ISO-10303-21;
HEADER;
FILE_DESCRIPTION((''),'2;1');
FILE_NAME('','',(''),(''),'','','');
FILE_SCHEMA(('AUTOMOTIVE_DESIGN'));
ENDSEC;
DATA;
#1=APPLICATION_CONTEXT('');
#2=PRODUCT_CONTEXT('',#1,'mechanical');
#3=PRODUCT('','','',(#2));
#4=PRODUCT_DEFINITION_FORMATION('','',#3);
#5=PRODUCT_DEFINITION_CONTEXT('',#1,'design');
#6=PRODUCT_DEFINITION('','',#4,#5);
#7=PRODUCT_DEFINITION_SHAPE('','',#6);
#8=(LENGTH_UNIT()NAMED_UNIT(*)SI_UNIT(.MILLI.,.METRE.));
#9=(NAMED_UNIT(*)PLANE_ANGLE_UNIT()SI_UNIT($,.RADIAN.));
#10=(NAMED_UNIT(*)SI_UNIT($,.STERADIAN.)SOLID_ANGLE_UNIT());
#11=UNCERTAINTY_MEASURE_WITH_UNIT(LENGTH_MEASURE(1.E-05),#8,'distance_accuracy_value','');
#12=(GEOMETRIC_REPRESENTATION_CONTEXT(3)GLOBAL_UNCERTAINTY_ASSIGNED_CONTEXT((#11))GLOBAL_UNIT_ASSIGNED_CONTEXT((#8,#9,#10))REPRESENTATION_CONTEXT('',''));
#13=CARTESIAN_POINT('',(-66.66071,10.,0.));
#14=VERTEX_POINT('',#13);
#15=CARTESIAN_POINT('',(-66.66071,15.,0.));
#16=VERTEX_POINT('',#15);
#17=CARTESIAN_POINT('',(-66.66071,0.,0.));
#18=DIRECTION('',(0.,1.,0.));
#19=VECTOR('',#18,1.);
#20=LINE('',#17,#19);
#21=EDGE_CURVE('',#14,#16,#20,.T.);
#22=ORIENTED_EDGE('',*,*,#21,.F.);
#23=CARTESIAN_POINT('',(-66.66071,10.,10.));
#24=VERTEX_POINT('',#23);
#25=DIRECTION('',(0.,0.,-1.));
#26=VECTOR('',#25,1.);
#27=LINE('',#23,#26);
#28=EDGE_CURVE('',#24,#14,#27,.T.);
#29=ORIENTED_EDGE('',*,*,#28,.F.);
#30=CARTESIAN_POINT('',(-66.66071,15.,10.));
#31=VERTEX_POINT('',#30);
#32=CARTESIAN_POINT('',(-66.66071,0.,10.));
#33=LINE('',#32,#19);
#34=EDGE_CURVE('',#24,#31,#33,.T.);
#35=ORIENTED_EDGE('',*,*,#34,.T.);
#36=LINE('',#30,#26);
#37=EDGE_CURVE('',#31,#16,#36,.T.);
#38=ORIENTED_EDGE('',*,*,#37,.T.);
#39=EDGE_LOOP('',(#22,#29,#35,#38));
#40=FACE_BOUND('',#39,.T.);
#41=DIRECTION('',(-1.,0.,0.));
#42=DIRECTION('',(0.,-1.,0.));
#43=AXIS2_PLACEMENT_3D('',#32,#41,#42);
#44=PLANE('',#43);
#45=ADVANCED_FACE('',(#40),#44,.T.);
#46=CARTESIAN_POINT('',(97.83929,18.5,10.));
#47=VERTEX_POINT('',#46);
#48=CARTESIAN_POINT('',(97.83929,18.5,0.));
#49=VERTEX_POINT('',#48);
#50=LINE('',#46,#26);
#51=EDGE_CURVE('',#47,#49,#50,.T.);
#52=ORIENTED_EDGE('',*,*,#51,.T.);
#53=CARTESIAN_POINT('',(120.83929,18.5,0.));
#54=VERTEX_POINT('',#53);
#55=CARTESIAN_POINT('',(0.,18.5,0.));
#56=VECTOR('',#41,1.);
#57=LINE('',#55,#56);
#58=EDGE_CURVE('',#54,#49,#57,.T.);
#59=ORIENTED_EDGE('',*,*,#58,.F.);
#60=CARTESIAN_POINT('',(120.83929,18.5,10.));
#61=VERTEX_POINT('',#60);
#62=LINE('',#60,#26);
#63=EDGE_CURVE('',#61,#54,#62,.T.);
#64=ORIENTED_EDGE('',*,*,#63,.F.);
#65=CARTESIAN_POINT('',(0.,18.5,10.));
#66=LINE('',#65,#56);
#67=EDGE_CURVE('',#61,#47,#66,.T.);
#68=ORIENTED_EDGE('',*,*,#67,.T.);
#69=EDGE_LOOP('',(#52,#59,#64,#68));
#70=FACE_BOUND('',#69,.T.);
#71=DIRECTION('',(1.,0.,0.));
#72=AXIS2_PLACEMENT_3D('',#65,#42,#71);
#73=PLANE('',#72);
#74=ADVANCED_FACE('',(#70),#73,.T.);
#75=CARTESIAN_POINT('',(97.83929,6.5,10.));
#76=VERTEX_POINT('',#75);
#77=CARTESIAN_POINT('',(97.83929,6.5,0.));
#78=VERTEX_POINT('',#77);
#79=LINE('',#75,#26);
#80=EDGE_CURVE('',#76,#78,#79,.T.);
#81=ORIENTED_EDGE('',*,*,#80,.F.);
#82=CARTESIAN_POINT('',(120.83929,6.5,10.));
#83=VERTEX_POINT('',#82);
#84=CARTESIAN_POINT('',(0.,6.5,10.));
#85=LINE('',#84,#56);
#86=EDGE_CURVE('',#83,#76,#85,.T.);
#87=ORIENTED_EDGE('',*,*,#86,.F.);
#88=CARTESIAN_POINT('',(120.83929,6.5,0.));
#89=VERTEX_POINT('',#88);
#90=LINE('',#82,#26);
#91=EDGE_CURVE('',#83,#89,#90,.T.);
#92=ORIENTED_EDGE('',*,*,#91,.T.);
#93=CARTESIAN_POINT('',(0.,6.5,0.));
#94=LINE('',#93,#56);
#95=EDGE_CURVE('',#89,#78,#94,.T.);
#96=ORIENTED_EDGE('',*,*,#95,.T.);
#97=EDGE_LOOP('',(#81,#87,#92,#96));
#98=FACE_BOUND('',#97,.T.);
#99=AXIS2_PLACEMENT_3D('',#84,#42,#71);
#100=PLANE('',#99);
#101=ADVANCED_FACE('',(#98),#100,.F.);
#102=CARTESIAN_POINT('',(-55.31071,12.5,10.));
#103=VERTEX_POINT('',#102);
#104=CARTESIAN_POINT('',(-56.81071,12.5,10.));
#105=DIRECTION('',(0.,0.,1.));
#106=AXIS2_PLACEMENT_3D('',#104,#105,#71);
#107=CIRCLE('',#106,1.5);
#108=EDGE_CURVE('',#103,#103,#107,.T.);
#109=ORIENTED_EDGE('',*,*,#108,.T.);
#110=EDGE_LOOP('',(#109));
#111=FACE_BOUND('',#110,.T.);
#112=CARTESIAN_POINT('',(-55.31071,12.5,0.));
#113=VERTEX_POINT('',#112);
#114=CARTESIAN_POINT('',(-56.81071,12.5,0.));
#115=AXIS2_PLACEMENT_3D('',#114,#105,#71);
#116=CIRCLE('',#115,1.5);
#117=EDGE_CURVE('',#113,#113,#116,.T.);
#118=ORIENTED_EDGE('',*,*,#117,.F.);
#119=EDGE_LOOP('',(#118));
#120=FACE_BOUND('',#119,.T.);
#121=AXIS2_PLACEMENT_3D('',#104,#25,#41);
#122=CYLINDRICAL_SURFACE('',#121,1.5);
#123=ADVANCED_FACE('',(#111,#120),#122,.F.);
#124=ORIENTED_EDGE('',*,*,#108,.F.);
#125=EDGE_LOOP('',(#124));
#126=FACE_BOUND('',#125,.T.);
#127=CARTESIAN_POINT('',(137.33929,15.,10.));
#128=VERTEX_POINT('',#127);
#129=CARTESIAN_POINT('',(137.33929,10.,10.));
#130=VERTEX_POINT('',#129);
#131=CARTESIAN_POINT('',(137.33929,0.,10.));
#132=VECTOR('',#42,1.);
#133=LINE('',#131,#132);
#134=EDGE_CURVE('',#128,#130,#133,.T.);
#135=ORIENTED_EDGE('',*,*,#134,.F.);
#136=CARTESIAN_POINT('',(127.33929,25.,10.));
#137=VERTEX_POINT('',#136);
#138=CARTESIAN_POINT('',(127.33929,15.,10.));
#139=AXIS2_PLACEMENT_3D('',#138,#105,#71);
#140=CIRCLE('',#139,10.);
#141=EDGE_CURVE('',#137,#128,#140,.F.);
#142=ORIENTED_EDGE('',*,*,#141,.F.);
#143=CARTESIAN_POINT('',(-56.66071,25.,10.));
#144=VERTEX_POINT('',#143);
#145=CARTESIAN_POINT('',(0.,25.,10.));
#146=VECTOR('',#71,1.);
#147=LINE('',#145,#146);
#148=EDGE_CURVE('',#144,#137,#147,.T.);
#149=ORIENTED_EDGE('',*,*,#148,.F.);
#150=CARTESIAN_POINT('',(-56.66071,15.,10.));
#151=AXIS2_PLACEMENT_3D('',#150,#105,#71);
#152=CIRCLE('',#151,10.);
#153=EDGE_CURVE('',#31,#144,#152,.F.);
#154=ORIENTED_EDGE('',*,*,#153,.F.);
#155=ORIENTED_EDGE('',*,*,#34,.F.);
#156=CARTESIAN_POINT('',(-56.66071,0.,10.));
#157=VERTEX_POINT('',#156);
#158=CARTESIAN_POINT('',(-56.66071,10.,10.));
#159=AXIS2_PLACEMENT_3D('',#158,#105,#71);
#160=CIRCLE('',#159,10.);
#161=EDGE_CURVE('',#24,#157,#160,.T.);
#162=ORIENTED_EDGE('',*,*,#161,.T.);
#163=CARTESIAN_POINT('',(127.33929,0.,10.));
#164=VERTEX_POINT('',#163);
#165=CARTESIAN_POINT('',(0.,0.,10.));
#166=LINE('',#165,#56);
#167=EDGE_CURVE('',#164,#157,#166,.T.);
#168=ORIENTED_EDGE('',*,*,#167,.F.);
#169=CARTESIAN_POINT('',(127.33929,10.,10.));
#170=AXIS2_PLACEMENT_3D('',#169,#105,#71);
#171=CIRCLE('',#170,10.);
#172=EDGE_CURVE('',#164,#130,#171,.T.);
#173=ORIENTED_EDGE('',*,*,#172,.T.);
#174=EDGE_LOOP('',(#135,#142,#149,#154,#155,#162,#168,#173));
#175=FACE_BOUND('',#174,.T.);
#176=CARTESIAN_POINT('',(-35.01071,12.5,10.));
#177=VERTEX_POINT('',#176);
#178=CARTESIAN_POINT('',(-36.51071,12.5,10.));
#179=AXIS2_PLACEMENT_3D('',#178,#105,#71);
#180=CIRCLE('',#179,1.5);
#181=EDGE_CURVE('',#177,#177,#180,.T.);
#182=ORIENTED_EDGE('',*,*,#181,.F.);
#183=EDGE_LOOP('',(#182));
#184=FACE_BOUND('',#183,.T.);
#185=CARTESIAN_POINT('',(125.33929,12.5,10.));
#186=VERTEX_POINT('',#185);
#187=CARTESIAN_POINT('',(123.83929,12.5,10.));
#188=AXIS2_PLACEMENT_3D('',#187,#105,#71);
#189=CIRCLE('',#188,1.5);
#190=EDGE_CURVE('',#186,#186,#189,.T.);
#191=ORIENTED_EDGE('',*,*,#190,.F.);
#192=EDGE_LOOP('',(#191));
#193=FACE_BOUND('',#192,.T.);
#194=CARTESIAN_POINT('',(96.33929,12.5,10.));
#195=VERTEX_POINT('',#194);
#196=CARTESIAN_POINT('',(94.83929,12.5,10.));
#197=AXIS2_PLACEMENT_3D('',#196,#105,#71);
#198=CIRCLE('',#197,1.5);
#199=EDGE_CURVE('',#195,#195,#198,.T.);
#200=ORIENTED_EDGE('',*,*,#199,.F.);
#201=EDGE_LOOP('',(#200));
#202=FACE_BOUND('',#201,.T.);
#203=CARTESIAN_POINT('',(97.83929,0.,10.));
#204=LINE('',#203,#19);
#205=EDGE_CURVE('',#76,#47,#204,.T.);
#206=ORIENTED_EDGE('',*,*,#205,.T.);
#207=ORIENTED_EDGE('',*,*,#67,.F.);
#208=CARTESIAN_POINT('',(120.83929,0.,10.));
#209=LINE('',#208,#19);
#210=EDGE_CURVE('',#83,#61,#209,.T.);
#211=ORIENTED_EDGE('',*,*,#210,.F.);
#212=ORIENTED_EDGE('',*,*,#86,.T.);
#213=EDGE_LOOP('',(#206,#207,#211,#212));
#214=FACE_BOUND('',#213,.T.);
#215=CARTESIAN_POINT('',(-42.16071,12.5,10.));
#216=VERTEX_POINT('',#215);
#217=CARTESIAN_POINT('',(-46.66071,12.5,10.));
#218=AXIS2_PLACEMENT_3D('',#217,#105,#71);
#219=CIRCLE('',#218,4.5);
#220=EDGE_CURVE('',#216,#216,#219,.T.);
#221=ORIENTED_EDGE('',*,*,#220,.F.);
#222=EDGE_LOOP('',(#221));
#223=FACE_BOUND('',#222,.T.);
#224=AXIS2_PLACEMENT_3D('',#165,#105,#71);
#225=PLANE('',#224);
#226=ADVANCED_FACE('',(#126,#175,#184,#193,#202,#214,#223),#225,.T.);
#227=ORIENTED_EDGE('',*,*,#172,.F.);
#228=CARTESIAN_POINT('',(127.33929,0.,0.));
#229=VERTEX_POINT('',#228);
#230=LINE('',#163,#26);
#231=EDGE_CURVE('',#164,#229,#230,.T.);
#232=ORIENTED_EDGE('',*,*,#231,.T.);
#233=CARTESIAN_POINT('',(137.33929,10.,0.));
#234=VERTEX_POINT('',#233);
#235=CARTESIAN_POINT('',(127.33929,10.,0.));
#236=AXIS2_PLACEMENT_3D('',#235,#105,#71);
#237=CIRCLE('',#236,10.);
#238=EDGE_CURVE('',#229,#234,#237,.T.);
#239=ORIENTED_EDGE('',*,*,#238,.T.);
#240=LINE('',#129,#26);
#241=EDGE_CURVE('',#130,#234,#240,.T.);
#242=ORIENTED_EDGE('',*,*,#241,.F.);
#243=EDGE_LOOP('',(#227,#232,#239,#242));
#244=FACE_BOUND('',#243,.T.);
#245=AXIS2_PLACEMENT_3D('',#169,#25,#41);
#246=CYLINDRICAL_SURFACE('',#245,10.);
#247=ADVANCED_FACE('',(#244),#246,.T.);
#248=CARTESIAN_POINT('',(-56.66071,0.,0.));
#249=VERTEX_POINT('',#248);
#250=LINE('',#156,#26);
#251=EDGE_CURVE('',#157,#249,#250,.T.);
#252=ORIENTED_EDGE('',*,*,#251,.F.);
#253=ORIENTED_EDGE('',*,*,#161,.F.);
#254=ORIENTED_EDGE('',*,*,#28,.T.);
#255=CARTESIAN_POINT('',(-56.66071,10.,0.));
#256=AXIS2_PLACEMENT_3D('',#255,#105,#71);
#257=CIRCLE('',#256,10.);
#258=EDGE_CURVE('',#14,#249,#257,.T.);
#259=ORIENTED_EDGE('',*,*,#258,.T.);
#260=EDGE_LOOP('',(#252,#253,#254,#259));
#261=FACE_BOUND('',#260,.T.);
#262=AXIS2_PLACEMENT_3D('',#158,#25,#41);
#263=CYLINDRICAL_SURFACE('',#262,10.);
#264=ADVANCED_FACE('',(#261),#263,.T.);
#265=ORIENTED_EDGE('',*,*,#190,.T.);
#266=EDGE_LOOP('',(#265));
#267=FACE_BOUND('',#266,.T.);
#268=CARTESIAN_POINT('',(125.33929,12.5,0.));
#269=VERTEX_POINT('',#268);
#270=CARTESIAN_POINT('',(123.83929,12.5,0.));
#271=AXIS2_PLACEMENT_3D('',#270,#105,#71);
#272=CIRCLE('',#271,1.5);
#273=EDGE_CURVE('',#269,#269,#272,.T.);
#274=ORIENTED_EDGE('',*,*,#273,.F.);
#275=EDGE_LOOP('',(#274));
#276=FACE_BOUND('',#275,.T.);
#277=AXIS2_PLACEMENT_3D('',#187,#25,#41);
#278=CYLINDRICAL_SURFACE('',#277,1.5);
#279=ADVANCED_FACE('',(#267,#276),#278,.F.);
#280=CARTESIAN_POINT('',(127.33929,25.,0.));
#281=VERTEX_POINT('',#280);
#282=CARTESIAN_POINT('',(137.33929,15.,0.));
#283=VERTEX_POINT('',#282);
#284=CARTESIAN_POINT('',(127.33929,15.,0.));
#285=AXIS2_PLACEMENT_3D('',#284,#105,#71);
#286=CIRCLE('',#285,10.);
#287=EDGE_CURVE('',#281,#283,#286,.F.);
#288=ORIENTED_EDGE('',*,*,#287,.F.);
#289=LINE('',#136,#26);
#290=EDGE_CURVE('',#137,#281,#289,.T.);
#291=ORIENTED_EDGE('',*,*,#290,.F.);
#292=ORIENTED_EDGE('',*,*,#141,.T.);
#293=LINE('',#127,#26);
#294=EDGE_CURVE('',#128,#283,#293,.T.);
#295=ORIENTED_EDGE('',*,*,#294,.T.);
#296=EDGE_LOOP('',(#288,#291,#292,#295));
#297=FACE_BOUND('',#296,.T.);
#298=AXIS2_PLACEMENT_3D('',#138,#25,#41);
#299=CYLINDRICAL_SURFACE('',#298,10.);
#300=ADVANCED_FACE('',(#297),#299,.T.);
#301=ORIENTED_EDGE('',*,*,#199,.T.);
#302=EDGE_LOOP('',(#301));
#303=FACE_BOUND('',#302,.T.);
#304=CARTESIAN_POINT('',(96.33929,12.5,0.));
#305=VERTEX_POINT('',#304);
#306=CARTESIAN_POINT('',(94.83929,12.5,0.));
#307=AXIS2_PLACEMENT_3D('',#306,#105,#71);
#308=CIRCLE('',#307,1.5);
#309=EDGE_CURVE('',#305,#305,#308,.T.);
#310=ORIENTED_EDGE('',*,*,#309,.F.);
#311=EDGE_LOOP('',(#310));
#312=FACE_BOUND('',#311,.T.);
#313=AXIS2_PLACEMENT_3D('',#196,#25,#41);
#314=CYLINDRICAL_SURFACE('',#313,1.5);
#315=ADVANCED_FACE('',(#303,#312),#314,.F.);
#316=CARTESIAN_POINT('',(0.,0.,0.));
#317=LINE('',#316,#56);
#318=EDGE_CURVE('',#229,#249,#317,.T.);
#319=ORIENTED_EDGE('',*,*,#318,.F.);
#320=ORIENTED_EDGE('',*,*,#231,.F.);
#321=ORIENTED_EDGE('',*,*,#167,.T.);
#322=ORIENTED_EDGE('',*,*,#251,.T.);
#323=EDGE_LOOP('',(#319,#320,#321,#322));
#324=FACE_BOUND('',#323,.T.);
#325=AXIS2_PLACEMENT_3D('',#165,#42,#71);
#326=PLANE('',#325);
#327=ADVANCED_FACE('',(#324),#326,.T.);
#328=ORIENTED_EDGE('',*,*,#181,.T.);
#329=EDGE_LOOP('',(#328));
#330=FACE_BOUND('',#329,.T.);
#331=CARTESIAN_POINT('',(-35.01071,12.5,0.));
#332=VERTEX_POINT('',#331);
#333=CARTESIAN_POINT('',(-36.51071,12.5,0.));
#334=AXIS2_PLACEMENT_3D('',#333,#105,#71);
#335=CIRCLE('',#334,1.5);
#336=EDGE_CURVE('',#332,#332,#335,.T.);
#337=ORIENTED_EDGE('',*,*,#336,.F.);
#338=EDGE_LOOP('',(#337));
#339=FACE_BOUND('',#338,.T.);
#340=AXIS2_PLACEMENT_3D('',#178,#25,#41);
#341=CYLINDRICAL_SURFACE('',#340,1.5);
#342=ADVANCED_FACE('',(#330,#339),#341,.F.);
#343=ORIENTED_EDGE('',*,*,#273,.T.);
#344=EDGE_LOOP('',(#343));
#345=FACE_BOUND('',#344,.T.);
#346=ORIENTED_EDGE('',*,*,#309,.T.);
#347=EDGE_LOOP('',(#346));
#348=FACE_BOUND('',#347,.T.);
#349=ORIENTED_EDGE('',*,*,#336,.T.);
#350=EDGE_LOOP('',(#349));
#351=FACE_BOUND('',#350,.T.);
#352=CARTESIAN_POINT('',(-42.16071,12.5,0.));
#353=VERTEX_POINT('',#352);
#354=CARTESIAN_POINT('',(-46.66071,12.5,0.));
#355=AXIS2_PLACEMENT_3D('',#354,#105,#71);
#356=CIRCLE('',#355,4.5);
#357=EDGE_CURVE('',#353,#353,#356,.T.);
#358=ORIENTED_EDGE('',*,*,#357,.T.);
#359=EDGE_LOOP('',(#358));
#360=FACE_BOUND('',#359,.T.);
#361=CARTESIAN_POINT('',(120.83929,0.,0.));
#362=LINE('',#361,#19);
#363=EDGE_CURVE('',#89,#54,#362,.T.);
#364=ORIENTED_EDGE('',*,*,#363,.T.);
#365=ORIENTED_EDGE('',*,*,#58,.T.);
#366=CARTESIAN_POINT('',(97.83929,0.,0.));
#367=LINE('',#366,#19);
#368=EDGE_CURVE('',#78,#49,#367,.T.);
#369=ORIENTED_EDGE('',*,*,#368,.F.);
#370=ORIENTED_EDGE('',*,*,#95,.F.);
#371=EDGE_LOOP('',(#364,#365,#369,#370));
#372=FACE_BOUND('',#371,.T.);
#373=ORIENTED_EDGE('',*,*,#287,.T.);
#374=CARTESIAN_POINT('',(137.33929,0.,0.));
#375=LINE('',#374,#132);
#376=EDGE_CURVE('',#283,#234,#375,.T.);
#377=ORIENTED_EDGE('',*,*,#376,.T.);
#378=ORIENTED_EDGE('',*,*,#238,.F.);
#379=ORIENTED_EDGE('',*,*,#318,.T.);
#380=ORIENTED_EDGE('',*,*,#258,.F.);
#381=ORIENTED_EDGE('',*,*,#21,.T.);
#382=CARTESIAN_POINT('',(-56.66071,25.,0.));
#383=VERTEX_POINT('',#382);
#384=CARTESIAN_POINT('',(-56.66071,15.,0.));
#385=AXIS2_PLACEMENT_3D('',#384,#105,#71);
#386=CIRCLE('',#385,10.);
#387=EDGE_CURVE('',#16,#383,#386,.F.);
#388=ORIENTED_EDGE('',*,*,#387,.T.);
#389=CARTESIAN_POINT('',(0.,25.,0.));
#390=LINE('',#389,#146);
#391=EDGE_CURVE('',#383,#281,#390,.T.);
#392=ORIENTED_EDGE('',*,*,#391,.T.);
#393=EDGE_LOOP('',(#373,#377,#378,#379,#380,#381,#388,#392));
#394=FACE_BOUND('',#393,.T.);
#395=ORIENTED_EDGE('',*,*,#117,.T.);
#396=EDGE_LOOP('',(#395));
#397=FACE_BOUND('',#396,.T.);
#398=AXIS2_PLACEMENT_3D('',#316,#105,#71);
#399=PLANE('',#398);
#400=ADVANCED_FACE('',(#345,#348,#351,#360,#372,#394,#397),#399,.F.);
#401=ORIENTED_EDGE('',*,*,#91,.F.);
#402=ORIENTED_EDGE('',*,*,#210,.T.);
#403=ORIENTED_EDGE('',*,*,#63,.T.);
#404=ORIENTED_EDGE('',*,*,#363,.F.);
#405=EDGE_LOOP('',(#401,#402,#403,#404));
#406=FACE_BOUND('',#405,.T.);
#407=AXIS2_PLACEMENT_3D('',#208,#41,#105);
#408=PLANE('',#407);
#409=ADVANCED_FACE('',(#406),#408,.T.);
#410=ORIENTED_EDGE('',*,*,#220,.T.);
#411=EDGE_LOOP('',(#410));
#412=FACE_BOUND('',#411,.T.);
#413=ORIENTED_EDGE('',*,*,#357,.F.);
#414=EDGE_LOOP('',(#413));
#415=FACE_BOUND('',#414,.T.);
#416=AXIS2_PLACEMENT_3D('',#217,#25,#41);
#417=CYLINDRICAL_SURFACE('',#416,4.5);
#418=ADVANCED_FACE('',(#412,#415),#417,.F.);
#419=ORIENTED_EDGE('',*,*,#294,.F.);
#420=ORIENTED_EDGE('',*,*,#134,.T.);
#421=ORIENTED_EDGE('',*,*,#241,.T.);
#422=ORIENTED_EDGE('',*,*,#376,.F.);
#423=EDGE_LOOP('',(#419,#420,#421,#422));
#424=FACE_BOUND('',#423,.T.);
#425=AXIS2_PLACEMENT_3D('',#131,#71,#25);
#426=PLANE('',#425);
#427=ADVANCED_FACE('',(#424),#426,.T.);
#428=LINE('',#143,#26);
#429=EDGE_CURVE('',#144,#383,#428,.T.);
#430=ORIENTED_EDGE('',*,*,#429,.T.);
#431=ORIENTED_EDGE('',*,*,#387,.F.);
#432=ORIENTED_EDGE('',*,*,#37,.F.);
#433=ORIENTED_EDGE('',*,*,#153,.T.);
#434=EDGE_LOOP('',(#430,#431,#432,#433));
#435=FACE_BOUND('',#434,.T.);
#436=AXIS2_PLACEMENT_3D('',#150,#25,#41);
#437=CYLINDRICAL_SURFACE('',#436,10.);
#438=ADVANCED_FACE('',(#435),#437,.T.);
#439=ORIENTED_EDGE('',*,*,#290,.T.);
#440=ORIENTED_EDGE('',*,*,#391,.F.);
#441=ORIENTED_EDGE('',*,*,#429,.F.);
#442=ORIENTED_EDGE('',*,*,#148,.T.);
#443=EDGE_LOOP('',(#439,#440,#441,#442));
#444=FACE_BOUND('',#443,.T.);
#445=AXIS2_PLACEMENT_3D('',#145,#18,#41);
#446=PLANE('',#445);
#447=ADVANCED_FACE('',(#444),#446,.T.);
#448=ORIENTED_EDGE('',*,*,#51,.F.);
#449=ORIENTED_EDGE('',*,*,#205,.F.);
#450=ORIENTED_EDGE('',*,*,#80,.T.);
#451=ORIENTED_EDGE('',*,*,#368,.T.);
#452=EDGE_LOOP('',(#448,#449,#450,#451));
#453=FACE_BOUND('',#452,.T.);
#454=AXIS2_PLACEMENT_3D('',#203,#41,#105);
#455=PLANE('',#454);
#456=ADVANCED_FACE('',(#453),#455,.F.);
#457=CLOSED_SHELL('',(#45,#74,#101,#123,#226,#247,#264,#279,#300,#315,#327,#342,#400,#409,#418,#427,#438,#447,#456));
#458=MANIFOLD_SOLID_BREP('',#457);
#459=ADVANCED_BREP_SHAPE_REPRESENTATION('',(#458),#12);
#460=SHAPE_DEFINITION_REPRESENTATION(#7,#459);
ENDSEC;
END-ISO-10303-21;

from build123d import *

# Parameters (mm, degrees)
SKETCH2_R           = 1.5
SKETCH2_R_2         = 4.5
BOSS_EXTRUDE1_DEPTH = 10


with BuildPart() as part:
    # Sketch2 → Boss-Extrude1 (new body)
    with BuildSketch(Plane.XY):
        with BuildLine():
            Line((-56.660710118, 0), (0, 0))
            Line((0, 0), (127.339289882, 0))
            ThreePointArc((127.339289882, 0), (134.410357694, 2.928932188), (137.339289882, 10))
            Line((137.339289882, 10), (137.339289882, 15))
            ThreePointArc((137.339289882, 15), (134.410357694, 22.071067812), (127.339289882, 25))
            Line((127.339289882, 25), (-56.660710118, 25))
            ThreePointArc((-56.660710118, 25), (-63.73177793, 22.071067812), (-66.660710118, 15))
            Line((-66.660710118, 15), (-66.660710118, 10))
            ThreePointArc((-66.660710118, 10), (-63.73177793, 2.928932188), (-56.660710118, 0))
        make_face()
        Polygon((97.839289882, 6.5), (97.839289882, 12.5), (97.839289882, 18.5), (120.839289882, 18.5), (120.839289882, 12.5), (120.839289882, 6.5), align=None, mode=Mode.SUBTRACT)
        with Locations((-56.810710118, 12.5)):
            Circle(SKETCH2_R, mode=Mode.SUBTRACT)
        with Locations((-46.660710118, 12.5)):
            Circle(SKETCH2_R_2, mode=Mode.SUBTRACT)
        with Locations((-36.510710118, 12.5)):
            Circle(SKETCH2_R, mode=Mode.SUBTRACT)
        with BuildLine():
            ThreePointArc((96.099859372, 13.312997269), (96.278187765, 12.923760406), (96.339289882, 12.5))
            ThreePointArc((96.339289882, 12.5), (93.400391999, 12.076239594), (96.099859372, 13.312997269))
        make_face(mode=Mode.SUBTRACT)
        with BuildLine():
            ThreePointArc((125.339289882, 12.5), (123.839289882, 11), (122.339289882, 12.5))
            ThreePointArc((122.339289882, 12.5), (122.373700536, 12.819449323), (122.475353708, 13.124242033))
            ThreePointArc((122.475353708, 13.124242033), (124.158739205, 13.965589346), (125.339289882, 12.5))
        make_face(mode=Mode.SUBTRACT)
    extrude(amount=BOSS_EXTRUDE1_DEPTH)


solid = part.part
